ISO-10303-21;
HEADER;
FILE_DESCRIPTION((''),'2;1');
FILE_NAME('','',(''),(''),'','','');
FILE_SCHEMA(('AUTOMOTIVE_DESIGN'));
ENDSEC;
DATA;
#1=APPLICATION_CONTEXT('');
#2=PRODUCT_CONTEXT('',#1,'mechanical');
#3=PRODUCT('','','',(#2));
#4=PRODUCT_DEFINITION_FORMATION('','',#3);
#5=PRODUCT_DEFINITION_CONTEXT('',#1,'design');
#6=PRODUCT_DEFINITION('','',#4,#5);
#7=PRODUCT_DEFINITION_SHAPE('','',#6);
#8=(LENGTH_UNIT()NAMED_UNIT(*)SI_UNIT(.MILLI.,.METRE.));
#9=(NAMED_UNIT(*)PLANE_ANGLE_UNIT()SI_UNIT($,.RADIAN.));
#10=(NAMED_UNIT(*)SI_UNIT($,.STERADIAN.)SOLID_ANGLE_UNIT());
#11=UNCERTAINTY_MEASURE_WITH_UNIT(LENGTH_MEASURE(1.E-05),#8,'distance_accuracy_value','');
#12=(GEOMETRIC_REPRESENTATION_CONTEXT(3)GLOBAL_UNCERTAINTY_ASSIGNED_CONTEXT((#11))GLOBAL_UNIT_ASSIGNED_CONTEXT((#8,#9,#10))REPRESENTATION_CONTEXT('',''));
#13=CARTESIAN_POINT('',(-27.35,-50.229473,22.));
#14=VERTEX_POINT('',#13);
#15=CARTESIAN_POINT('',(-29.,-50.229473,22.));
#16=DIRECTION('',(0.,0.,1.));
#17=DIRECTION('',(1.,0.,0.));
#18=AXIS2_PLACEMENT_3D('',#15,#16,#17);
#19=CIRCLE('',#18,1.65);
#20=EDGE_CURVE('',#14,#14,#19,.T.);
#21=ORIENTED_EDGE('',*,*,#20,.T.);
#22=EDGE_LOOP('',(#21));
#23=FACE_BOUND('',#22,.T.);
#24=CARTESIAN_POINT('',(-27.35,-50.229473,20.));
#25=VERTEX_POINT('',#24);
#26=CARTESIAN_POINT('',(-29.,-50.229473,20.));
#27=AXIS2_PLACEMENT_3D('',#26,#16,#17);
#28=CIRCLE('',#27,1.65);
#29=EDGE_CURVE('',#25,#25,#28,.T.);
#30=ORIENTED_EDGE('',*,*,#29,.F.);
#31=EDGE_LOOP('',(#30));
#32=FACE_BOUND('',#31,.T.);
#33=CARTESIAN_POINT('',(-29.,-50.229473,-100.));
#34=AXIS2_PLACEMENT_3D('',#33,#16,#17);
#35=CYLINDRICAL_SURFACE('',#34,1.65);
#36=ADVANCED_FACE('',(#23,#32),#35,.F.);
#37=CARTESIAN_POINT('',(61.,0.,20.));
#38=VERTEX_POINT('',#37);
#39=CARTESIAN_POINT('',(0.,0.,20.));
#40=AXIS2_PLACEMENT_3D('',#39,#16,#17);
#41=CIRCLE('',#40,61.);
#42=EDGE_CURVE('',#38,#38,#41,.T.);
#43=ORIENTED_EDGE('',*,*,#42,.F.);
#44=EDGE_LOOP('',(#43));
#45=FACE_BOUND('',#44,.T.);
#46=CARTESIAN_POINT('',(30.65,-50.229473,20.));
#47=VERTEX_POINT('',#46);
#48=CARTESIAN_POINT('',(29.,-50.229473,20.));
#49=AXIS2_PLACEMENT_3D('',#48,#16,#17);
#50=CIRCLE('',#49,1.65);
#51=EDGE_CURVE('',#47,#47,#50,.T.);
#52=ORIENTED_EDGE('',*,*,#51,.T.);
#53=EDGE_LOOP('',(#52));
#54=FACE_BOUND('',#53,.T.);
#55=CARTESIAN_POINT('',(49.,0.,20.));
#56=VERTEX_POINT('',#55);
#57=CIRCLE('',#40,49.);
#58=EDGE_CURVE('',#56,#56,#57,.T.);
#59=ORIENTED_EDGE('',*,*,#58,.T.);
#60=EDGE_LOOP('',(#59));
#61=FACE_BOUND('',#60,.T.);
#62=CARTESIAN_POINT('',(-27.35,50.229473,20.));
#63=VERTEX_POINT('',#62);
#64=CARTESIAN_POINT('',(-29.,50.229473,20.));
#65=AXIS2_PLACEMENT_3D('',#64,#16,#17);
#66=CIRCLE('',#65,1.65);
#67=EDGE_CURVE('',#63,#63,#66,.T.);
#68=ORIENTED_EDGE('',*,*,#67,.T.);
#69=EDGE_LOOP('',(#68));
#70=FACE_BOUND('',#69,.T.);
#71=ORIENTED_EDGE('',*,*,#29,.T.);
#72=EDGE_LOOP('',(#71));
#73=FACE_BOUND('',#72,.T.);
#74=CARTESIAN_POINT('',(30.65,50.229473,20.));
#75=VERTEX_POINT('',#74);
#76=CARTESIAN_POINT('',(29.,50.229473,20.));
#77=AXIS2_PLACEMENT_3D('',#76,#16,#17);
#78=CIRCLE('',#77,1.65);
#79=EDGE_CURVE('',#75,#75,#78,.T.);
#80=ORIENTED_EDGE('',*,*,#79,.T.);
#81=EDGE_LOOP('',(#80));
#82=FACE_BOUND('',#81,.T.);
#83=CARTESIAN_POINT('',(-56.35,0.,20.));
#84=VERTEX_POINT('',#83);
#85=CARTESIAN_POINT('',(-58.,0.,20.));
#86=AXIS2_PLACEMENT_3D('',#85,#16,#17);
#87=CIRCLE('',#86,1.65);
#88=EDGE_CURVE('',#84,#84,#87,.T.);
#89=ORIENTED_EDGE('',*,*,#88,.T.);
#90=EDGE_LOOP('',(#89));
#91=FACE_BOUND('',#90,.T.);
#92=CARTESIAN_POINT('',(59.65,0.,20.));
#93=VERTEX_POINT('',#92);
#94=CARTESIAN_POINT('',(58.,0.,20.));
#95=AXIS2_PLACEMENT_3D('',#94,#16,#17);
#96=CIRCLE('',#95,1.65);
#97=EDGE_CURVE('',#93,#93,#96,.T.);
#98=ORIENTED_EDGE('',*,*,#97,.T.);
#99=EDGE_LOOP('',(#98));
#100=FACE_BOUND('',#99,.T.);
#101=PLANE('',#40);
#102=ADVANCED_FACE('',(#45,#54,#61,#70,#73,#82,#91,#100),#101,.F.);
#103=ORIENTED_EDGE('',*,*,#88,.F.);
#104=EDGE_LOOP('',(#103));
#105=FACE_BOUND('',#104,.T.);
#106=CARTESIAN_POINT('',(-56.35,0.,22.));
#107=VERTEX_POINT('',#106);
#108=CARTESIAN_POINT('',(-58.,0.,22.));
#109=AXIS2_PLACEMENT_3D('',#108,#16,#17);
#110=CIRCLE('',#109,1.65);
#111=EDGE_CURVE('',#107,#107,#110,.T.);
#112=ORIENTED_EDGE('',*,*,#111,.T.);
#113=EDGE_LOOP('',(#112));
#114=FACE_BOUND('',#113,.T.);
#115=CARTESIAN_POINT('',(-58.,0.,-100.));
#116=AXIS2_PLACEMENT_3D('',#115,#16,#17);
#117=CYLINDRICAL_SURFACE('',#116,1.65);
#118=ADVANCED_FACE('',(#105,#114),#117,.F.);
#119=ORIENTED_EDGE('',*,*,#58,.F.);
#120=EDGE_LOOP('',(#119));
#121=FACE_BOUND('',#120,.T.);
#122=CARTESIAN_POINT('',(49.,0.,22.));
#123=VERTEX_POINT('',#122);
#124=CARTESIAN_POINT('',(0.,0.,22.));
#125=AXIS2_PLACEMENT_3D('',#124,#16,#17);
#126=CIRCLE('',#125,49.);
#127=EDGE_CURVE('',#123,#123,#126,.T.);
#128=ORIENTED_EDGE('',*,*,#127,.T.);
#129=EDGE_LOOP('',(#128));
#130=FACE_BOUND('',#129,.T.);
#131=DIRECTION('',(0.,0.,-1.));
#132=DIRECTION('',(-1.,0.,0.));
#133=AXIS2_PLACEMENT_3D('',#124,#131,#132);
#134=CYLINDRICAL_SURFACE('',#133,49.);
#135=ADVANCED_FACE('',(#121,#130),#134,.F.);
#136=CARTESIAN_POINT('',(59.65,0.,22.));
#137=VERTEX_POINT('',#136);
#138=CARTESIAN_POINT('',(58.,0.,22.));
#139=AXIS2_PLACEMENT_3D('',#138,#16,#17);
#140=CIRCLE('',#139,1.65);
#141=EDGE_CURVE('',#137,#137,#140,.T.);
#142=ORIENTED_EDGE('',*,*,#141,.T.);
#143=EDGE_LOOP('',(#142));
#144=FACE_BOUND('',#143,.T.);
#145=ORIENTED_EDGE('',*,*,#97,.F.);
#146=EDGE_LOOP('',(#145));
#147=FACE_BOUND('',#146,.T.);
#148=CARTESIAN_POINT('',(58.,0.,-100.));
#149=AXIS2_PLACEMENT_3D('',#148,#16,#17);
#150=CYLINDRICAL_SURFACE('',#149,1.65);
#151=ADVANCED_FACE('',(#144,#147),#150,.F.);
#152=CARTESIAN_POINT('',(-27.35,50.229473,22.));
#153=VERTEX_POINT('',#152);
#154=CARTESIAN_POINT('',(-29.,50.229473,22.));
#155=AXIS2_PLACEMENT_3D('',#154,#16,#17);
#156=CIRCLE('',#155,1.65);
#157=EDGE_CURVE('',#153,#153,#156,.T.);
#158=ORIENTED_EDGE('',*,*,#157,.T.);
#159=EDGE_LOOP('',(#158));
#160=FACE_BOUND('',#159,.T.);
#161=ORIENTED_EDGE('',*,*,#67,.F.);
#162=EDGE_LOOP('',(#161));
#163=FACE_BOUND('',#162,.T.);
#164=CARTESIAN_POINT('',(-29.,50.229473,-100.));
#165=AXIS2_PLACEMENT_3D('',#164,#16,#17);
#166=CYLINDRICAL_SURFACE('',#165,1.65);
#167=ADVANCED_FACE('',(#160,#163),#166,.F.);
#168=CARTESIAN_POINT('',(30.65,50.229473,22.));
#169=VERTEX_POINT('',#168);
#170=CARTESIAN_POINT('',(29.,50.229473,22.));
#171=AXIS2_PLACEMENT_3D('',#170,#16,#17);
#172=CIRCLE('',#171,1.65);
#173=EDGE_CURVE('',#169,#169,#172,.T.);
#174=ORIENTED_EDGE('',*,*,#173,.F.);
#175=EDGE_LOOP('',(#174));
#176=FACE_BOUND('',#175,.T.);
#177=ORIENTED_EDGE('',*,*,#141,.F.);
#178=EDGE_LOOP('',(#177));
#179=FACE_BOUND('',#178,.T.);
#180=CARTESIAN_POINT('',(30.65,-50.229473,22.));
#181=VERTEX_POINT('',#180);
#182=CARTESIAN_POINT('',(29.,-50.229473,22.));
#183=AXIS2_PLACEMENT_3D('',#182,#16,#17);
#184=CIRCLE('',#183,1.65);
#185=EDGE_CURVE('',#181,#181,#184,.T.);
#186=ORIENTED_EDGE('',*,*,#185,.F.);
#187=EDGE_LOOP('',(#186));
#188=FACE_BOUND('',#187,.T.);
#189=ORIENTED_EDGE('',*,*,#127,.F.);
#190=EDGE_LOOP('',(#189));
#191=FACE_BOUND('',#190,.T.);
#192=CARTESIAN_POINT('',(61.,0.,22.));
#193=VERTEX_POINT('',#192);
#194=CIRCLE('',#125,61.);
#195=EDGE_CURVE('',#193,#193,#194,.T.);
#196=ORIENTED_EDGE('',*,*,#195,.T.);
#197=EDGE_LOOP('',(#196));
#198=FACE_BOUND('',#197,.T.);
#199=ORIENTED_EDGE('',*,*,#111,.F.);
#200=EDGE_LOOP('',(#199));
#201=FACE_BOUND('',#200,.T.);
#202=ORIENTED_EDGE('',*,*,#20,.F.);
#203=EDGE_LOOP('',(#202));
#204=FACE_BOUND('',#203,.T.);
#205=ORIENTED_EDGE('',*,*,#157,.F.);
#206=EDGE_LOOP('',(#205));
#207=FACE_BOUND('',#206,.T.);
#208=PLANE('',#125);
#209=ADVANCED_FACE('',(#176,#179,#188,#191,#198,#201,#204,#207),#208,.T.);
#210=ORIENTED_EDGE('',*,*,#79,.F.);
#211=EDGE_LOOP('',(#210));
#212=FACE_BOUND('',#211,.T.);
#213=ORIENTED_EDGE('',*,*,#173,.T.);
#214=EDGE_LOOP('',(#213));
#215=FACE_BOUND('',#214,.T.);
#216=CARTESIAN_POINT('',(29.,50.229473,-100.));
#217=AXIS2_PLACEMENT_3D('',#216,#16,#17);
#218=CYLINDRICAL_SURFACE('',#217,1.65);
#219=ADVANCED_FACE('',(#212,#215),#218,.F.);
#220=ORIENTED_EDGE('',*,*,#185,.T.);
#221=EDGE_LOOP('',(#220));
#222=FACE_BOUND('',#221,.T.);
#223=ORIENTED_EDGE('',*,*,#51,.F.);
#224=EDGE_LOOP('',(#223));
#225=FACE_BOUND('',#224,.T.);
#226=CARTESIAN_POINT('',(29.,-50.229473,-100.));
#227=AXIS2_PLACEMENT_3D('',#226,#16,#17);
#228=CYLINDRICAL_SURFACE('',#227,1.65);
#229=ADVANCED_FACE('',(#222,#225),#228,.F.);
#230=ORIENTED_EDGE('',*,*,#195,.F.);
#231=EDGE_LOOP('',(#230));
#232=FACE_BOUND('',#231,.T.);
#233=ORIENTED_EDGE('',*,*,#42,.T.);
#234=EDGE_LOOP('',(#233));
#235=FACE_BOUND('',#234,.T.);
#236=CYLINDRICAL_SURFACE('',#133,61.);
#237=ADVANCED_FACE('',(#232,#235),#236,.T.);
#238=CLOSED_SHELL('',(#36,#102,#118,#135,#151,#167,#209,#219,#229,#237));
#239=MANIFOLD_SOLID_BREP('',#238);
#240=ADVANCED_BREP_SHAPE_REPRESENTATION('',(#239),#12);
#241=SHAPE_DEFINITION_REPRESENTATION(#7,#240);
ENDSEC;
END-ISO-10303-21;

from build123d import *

# Parameters (mm, degrees)
STATOR_CLAMP_START  = 20
SKETCH_1_R          = 61
SKETCH_1_R_2        = 49
STATOR_CLAMP_DEPTH  = 2
SKETCH_2_R          = 1.65
THROUGH_HOLES_DEPTH = 100


with BuildPart() as part:
    # Эскиз1 → Stator_clamp (new body)
    with BuildSketch(Plane.XY.offset(STATOR_CLAMP_START)):
        Circle(SKETCH_1_R)
        Circle(SKETCH_1_R_2, mode=Mode.SUBTRACT)
    extrude(amount=STATOR_CLAMP_DEPTH)

    # Эскиз2 → Through_holes (cut, symmetric)
    with BuildSketch(Plane.XY):
        with Locations((58, 0)):
            Circle(SKETCH_2_R)
        with Locations((29, 50.229473419)):
            Circle(SKETCH_2_R)
        with Locations((-29, 50.229473419)):
            Circle(SKETCH_2_R)
        with Locations((-58, 0)):
            Circle(SKETCH_2_R)
        with Locations((-29, -50.229473419)):
            Circle(SKETCH_2_R)
        with Locations((29, -50.229473419)):
            Circle(SKETCH_2_R)
    extrude(amount=THROUGH_HOLES_DEPTH, both=True, mode=Mode.SUBTRACT)


solid = part.part
